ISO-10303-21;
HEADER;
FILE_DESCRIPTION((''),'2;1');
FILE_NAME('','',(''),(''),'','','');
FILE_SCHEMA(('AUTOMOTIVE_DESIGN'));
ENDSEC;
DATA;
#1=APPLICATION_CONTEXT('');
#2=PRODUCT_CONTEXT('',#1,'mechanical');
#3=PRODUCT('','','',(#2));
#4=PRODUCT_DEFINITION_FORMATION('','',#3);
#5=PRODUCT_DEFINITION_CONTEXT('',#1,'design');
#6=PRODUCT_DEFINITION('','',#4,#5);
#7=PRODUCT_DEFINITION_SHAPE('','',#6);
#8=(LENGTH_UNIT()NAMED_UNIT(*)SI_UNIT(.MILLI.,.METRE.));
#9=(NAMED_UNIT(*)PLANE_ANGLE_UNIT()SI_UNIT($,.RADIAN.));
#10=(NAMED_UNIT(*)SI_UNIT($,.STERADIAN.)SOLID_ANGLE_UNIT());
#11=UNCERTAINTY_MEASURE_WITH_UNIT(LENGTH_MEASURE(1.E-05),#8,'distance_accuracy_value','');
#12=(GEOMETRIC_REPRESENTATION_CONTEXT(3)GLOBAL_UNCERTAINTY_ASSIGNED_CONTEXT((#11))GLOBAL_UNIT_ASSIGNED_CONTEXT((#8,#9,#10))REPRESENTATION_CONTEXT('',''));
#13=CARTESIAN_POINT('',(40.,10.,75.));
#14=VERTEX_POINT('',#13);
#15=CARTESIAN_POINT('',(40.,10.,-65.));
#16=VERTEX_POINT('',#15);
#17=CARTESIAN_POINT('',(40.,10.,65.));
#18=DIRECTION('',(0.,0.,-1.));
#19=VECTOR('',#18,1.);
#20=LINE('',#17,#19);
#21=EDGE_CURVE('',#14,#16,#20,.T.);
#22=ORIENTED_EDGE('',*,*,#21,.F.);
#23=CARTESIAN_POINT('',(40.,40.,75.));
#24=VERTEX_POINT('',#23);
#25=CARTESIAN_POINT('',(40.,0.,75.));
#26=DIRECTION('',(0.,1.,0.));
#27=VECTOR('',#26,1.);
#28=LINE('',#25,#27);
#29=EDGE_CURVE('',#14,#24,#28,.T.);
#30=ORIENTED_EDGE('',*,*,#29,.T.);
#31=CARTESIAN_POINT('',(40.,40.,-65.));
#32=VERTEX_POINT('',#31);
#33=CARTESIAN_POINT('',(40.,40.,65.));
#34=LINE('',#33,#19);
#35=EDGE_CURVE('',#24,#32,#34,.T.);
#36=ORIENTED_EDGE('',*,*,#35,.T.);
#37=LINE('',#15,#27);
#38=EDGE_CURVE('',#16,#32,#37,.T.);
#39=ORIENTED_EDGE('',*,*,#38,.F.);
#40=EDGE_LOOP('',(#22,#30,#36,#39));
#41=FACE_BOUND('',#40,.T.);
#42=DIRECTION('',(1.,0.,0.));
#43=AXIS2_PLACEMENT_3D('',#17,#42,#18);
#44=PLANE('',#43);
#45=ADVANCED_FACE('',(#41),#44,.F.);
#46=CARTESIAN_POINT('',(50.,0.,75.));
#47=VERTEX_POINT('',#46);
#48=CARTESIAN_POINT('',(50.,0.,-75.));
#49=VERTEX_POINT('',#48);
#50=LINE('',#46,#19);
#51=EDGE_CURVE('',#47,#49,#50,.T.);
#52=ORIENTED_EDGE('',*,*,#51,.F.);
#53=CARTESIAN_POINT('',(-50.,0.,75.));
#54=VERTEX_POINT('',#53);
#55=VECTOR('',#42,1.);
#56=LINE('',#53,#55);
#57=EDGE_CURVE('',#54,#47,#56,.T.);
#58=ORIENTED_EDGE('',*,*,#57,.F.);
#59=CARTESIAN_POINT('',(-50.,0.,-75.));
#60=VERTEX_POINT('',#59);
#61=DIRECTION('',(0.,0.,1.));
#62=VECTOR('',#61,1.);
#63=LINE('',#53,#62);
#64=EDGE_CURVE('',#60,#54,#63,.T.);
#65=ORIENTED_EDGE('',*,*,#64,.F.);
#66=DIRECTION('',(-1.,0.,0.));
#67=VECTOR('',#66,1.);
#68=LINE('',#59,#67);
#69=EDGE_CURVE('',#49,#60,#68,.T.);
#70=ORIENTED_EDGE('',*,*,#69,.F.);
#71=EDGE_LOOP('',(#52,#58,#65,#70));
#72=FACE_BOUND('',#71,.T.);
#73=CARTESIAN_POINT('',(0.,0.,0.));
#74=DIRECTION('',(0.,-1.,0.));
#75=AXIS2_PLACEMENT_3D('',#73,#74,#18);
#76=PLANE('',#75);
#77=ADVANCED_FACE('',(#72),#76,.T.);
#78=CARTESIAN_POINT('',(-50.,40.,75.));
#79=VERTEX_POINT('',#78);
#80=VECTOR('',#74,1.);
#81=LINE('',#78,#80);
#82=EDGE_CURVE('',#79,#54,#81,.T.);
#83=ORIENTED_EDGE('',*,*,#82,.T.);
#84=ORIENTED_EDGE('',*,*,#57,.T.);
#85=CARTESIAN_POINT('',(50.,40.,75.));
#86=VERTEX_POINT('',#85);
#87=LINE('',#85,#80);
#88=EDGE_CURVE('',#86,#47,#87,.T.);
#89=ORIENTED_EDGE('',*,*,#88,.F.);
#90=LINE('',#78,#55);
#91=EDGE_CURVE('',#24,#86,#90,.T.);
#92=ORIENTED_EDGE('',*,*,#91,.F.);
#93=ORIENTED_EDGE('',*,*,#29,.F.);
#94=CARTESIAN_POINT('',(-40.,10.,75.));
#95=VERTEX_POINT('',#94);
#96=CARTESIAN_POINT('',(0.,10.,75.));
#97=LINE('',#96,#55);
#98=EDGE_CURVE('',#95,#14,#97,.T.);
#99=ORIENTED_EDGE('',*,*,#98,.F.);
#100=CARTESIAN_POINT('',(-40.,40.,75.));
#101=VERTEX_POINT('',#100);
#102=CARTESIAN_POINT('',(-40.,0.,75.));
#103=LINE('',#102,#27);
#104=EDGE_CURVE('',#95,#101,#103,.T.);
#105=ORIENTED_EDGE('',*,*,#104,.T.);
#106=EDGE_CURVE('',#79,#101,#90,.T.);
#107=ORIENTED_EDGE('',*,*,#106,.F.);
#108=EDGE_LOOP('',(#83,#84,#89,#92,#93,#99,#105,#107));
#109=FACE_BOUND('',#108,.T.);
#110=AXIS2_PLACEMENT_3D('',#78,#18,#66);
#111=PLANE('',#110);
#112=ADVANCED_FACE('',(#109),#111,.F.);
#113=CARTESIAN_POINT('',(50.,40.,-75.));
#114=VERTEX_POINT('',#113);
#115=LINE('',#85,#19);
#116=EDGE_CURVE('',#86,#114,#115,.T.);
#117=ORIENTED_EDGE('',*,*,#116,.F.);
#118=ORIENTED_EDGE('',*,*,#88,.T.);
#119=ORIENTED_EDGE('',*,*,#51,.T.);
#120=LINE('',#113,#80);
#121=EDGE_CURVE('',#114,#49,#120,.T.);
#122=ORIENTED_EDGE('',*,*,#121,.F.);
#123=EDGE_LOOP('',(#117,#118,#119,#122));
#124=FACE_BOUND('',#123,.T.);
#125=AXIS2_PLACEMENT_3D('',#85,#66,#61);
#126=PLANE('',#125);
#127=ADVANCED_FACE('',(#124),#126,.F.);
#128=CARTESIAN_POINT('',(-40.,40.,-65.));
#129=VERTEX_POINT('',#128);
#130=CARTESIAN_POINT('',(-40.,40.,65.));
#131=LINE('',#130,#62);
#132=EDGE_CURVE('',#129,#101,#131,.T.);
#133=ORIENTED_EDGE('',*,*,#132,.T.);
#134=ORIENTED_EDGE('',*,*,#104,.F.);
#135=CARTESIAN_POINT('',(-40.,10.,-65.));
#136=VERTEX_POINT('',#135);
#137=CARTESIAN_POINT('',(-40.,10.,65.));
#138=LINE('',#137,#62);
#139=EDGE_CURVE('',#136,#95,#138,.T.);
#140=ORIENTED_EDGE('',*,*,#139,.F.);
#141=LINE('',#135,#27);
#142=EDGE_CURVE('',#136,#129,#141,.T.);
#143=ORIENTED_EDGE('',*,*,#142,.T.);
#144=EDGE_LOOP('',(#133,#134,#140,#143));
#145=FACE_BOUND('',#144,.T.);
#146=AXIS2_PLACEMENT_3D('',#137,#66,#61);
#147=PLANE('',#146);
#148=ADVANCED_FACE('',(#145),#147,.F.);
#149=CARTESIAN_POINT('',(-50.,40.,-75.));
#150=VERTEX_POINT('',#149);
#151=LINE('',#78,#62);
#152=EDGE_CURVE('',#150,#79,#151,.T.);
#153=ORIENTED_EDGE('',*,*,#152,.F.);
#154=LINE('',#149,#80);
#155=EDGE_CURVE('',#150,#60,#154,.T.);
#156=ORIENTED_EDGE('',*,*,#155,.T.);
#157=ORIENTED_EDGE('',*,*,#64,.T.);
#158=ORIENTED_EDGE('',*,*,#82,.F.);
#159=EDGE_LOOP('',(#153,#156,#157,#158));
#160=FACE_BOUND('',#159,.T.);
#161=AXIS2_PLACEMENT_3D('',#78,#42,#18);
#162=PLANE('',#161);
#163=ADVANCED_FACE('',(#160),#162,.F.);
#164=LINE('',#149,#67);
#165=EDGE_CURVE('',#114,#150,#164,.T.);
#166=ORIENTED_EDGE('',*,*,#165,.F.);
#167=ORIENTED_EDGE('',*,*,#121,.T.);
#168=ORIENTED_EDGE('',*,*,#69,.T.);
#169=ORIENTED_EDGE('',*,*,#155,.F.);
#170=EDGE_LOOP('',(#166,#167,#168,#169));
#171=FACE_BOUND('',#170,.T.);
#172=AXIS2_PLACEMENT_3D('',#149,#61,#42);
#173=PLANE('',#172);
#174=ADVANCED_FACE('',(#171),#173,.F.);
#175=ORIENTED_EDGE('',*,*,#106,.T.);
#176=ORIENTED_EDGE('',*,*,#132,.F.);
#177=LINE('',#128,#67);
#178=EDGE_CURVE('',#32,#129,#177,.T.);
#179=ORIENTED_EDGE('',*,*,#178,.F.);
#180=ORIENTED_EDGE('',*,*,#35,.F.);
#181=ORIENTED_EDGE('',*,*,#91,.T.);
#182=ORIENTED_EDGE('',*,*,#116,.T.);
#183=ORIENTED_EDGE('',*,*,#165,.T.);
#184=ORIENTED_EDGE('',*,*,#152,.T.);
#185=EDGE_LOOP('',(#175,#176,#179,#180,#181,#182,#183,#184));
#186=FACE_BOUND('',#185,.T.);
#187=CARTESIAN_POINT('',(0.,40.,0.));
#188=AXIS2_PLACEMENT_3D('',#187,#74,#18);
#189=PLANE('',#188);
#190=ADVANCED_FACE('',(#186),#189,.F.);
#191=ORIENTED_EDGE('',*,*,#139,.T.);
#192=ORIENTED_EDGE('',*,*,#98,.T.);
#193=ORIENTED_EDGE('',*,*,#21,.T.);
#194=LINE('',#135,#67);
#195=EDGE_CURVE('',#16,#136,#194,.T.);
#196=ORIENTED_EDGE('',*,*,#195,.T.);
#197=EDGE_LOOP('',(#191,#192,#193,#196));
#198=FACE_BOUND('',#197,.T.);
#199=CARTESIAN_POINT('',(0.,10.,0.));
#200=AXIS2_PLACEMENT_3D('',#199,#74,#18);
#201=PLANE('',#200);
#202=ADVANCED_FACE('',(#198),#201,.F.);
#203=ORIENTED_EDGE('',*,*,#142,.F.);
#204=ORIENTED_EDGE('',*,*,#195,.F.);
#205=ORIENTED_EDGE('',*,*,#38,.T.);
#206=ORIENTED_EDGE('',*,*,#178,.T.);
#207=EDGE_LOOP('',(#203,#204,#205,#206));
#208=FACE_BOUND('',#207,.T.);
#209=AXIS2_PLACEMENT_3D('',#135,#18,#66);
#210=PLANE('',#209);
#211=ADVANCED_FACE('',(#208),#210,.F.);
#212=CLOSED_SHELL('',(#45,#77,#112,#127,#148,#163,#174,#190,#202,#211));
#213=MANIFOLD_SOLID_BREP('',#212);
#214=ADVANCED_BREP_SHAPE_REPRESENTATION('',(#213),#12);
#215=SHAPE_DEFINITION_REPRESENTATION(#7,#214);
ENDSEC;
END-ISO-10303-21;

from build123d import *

# Parameters (mm, degrees)
SKETCH1_W           = 100
SKETCH1_H           = 150
BOSS_EXTRUDE1_DEPTH = 40
SKETCH2_W           = 80
SKETCH2_H           = 130
CUT_EXTRUDE1_DEPTH  = 30
SKETCH3_W           = 80
SKETCH3_H           = 30
CUT_EXTRUDE2_DEPTH  = 30


with BuildPart() as part:
    # Sketch1 → Boss-Extrude1 (new body)
    with BuildSketch(Plane(origin=(0, 0, 0), x_dir=(1, 0, 0), z_dir=(0, 1, 0))):
        Rectangle(SKETCH1_W, SKETCH1_H)
    extrude(amount=BOSS_EXTRUDE1_DEPTH)

    # Sketch2 → Cut-Extrude1 (cut)
    with BuildSketch(Plane(origin=(0, 40, 0), x_dir=(1, 0, 0), z_dir=(0, 1, 0))):
        Rectangle(SKETCH2_W, SKETCH2_H)
    extrude(amount=-CUT_EXTRUDE1_DEPTH, mode=Mode.SUBTRACT)

    # Sketch3 → Cut-Extrude2 (cut)
    with BuildSketch(Plane.XY.offset(75)):
        with Locations((0, 25)):
            Rectangle(SKETCH3_W, SKETCH3_H)
    extrude(amount=-CUT_EXTRUDE2_DEPTH, mode=Mode.SUBTRACT)


solid = part.part
